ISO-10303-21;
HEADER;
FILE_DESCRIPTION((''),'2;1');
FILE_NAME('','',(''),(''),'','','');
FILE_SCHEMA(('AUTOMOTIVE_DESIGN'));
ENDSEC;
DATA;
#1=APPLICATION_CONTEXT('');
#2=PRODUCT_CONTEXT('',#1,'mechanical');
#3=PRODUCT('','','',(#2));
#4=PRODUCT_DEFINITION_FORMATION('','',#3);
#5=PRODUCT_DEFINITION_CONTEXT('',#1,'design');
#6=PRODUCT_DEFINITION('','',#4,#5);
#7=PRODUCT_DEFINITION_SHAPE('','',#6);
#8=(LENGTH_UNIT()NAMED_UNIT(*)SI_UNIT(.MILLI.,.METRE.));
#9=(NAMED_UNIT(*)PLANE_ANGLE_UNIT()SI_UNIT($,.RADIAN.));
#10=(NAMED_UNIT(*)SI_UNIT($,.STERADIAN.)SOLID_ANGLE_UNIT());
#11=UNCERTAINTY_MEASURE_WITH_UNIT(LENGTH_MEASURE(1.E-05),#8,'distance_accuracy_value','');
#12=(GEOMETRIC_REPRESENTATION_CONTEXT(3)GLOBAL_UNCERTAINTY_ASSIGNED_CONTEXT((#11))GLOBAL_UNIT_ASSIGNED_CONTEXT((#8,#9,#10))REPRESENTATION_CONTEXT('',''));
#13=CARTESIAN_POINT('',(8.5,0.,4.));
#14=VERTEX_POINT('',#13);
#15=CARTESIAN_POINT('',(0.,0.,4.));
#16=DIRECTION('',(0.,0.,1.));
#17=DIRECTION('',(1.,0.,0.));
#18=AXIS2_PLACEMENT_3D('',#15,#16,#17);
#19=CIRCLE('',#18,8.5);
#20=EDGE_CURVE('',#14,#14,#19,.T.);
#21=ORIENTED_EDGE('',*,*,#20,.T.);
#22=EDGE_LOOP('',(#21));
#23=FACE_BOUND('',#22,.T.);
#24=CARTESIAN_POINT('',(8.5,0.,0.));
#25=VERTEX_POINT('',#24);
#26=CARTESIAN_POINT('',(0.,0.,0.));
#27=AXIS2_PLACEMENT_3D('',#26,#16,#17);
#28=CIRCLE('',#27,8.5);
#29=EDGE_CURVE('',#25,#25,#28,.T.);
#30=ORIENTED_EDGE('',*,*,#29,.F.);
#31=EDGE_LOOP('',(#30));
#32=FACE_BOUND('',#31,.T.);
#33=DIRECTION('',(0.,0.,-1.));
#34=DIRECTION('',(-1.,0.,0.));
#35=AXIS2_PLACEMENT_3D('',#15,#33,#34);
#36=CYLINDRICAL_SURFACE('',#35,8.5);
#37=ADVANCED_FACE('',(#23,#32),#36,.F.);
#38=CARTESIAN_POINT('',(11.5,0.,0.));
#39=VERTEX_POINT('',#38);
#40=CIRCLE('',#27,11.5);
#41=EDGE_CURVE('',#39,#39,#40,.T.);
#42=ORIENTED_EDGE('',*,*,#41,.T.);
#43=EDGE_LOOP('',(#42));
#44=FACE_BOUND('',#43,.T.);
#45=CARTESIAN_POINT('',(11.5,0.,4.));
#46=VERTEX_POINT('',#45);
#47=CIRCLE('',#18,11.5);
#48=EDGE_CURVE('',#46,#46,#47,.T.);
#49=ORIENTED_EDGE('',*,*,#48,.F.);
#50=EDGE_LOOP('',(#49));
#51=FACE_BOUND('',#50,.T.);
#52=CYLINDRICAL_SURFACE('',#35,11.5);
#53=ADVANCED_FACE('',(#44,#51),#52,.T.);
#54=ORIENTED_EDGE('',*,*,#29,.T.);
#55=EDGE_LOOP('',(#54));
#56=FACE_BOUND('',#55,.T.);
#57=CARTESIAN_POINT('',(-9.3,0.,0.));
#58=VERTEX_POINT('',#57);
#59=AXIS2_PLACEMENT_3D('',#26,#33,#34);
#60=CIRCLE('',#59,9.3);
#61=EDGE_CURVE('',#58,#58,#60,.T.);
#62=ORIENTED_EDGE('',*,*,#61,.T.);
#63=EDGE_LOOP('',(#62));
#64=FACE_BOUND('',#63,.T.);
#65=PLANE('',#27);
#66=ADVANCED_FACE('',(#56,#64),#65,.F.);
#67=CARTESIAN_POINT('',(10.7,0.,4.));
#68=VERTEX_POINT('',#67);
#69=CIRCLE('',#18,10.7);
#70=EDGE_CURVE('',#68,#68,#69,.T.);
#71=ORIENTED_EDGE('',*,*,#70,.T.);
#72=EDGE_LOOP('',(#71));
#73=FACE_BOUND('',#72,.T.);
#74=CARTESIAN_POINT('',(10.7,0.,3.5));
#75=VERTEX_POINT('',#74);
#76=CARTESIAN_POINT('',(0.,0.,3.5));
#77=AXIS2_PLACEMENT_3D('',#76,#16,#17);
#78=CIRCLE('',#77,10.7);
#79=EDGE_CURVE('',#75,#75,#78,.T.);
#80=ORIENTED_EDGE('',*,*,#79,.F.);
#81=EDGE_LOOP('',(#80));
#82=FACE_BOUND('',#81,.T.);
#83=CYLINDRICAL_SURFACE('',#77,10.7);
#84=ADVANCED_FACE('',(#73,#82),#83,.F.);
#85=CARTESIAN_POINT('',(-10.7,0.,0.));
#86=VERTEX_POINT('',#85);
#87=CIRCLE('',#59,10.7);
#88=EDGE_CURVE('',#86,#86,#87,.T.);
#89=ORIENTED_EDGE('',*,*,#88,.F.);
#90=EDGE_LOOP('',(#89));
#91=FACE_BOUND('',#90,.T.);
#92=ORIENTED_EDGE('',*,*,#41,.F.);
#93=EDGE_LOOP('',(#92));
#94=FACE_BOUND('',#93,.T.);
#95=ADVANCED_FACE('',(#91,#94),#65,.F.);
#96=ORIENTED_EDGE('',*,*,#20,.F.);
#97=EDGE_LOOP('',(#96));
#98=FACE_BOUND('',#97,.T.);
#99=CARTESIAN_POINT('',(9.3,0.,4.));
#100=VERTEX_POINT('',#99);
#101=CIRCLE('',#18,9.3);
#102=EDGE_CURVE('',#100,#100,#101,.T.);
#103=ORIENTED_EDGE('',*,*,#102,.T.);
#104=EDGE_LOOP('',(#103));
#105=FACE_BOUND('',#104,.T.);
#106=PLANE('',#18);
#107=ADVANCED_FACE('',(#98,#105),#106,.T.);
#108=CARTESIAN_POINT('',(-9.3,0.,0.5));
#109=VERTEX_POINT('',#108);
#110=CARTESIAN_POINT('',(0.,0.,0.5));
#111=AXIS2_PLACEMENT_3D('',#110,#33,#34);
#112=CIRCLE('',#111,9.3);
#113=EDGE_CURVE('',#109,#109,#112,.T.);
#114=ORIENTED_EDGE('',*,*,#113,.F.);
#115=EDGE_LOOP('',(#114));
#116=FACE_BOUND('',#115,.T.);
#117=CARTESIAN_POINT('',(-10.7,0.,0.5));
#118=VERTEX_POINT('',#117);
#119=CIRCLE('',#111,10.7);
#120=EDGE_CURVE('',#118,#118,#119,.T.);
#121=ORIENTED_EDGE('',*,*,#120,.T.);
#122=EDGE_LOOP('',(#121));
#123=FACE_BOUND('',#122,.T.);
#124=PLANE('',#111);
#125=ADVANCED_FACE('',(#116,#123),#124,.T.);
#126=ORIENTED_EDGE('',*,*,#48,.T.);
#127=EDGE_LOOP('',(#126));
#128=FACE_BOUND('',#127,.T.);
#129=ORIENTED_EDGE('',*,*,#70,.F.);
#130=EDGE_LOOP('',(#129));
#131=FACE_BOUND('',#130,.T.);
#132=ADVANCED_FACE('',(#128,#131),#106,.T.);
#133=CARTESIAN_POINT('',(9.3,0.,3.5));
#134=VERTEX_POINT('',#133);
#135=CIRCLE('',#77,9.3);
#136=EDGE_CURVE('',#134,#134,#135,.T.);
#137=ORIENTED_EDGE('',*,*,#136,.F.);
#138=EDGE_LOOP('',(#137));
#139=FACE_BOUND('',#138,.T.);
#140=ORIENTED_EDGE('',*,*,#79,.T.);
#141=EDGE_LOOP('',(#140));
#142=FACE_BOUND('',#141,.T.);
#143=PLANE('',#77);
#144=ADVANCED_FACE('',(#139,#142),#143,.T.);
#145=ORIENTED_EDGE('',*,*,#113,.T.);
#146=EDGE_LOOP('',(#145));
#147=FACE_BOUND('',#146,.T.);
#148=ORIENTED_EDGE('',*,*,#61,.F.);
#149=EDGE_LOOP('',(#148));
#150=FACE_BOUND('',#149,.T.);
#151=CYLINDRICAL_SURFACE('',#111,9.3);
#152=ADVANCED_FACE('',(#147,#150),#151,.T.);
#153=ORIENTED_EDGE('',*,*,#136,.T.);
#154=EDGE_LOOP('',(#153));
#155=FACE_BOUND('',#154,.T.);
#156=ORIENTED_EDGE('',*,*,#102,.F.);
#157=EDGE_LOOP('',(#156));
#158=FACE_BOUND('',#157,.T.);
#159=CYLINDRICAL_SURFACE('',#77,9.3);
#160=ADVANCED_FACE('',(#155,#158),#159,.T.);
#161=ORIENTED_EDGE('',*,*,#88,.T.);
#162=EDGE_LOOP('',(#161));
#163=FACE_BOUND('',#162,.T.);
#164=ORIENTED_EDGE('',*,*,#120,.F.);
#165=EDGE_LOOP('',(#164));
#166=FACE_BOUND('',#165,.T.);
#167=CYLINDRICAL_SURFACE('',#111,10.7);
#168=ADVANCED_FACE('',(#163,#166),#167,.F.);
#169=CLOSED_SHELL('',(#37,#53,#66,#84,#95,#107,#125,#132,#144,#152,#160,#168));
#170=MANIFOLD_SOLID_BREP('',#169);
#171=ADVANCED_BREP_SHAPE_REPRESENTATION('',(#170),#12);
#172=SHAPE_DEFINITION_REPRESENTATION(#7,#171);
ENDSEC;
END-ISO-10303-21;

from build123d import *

# Parameters (mm, degrees)
SKETCH_1_R          = 11.5
SKETCH_1_R_2        = 8.5
EXTRUDE_1_DEPTH     = 4
SKETCH_2_R          = 10.7
SKETCH_2_R_2        = 9.3
CUT_EXTRUDE_1_DEPTH = 0.5
CUT_EXTRUDE_START   = -0.5
SKETCH_3_R          = 10.7
SKETCH_3_R_2        = 9.3
CUT_EXTRUDE_2_DEPTH = 0.5


with BuildPart() as part:
    # 草图1 → 凸台-拉伸1 (new body)
    with BuildSketch(Plane.XY):
        Circle(SKETCH_1_R)
        Circle(SKETCH_1_R_2, mode=Mode.SUBTRACT)
    extrude(amount=EXTRUDE_1_DEPTH)

    # 草图2 → 切除-拉伸1 (cut)
    with BuildSketch(Plane.XY.offset(4)):
        Circle(SKETCH_2_R)
        Circle(SKETCH_2_R_2, mode=Mode.SUBTRACT)
    extrude(amount=-CUT_EXTRUDE_1_DEPTH, mode=Mode.SUBTRACT)

    # 草图3 → 切除-拉伸2 (cut)
    with BuildSketch(Plane(origin=(0, 0, 0), x_dir=(-1, 0, 0), z_dir=(0, 0, -1)).offset(CUT_EXTRUDE_START)):
        with Locations(Location((0, 0, 0), (0, 0, 180))):
            Circle(SKETCH_3_R)
        with Locations(Location((0, 0, 0), (0, 0, 180))):
            Circle(SKETCH_3_R_2, mode=Mode.SUBTRACT)
    extrude(amount=CUT_EXTRUDE_2_DEPTH, mode=Mode.SUBTRACT)


solid = part.part
